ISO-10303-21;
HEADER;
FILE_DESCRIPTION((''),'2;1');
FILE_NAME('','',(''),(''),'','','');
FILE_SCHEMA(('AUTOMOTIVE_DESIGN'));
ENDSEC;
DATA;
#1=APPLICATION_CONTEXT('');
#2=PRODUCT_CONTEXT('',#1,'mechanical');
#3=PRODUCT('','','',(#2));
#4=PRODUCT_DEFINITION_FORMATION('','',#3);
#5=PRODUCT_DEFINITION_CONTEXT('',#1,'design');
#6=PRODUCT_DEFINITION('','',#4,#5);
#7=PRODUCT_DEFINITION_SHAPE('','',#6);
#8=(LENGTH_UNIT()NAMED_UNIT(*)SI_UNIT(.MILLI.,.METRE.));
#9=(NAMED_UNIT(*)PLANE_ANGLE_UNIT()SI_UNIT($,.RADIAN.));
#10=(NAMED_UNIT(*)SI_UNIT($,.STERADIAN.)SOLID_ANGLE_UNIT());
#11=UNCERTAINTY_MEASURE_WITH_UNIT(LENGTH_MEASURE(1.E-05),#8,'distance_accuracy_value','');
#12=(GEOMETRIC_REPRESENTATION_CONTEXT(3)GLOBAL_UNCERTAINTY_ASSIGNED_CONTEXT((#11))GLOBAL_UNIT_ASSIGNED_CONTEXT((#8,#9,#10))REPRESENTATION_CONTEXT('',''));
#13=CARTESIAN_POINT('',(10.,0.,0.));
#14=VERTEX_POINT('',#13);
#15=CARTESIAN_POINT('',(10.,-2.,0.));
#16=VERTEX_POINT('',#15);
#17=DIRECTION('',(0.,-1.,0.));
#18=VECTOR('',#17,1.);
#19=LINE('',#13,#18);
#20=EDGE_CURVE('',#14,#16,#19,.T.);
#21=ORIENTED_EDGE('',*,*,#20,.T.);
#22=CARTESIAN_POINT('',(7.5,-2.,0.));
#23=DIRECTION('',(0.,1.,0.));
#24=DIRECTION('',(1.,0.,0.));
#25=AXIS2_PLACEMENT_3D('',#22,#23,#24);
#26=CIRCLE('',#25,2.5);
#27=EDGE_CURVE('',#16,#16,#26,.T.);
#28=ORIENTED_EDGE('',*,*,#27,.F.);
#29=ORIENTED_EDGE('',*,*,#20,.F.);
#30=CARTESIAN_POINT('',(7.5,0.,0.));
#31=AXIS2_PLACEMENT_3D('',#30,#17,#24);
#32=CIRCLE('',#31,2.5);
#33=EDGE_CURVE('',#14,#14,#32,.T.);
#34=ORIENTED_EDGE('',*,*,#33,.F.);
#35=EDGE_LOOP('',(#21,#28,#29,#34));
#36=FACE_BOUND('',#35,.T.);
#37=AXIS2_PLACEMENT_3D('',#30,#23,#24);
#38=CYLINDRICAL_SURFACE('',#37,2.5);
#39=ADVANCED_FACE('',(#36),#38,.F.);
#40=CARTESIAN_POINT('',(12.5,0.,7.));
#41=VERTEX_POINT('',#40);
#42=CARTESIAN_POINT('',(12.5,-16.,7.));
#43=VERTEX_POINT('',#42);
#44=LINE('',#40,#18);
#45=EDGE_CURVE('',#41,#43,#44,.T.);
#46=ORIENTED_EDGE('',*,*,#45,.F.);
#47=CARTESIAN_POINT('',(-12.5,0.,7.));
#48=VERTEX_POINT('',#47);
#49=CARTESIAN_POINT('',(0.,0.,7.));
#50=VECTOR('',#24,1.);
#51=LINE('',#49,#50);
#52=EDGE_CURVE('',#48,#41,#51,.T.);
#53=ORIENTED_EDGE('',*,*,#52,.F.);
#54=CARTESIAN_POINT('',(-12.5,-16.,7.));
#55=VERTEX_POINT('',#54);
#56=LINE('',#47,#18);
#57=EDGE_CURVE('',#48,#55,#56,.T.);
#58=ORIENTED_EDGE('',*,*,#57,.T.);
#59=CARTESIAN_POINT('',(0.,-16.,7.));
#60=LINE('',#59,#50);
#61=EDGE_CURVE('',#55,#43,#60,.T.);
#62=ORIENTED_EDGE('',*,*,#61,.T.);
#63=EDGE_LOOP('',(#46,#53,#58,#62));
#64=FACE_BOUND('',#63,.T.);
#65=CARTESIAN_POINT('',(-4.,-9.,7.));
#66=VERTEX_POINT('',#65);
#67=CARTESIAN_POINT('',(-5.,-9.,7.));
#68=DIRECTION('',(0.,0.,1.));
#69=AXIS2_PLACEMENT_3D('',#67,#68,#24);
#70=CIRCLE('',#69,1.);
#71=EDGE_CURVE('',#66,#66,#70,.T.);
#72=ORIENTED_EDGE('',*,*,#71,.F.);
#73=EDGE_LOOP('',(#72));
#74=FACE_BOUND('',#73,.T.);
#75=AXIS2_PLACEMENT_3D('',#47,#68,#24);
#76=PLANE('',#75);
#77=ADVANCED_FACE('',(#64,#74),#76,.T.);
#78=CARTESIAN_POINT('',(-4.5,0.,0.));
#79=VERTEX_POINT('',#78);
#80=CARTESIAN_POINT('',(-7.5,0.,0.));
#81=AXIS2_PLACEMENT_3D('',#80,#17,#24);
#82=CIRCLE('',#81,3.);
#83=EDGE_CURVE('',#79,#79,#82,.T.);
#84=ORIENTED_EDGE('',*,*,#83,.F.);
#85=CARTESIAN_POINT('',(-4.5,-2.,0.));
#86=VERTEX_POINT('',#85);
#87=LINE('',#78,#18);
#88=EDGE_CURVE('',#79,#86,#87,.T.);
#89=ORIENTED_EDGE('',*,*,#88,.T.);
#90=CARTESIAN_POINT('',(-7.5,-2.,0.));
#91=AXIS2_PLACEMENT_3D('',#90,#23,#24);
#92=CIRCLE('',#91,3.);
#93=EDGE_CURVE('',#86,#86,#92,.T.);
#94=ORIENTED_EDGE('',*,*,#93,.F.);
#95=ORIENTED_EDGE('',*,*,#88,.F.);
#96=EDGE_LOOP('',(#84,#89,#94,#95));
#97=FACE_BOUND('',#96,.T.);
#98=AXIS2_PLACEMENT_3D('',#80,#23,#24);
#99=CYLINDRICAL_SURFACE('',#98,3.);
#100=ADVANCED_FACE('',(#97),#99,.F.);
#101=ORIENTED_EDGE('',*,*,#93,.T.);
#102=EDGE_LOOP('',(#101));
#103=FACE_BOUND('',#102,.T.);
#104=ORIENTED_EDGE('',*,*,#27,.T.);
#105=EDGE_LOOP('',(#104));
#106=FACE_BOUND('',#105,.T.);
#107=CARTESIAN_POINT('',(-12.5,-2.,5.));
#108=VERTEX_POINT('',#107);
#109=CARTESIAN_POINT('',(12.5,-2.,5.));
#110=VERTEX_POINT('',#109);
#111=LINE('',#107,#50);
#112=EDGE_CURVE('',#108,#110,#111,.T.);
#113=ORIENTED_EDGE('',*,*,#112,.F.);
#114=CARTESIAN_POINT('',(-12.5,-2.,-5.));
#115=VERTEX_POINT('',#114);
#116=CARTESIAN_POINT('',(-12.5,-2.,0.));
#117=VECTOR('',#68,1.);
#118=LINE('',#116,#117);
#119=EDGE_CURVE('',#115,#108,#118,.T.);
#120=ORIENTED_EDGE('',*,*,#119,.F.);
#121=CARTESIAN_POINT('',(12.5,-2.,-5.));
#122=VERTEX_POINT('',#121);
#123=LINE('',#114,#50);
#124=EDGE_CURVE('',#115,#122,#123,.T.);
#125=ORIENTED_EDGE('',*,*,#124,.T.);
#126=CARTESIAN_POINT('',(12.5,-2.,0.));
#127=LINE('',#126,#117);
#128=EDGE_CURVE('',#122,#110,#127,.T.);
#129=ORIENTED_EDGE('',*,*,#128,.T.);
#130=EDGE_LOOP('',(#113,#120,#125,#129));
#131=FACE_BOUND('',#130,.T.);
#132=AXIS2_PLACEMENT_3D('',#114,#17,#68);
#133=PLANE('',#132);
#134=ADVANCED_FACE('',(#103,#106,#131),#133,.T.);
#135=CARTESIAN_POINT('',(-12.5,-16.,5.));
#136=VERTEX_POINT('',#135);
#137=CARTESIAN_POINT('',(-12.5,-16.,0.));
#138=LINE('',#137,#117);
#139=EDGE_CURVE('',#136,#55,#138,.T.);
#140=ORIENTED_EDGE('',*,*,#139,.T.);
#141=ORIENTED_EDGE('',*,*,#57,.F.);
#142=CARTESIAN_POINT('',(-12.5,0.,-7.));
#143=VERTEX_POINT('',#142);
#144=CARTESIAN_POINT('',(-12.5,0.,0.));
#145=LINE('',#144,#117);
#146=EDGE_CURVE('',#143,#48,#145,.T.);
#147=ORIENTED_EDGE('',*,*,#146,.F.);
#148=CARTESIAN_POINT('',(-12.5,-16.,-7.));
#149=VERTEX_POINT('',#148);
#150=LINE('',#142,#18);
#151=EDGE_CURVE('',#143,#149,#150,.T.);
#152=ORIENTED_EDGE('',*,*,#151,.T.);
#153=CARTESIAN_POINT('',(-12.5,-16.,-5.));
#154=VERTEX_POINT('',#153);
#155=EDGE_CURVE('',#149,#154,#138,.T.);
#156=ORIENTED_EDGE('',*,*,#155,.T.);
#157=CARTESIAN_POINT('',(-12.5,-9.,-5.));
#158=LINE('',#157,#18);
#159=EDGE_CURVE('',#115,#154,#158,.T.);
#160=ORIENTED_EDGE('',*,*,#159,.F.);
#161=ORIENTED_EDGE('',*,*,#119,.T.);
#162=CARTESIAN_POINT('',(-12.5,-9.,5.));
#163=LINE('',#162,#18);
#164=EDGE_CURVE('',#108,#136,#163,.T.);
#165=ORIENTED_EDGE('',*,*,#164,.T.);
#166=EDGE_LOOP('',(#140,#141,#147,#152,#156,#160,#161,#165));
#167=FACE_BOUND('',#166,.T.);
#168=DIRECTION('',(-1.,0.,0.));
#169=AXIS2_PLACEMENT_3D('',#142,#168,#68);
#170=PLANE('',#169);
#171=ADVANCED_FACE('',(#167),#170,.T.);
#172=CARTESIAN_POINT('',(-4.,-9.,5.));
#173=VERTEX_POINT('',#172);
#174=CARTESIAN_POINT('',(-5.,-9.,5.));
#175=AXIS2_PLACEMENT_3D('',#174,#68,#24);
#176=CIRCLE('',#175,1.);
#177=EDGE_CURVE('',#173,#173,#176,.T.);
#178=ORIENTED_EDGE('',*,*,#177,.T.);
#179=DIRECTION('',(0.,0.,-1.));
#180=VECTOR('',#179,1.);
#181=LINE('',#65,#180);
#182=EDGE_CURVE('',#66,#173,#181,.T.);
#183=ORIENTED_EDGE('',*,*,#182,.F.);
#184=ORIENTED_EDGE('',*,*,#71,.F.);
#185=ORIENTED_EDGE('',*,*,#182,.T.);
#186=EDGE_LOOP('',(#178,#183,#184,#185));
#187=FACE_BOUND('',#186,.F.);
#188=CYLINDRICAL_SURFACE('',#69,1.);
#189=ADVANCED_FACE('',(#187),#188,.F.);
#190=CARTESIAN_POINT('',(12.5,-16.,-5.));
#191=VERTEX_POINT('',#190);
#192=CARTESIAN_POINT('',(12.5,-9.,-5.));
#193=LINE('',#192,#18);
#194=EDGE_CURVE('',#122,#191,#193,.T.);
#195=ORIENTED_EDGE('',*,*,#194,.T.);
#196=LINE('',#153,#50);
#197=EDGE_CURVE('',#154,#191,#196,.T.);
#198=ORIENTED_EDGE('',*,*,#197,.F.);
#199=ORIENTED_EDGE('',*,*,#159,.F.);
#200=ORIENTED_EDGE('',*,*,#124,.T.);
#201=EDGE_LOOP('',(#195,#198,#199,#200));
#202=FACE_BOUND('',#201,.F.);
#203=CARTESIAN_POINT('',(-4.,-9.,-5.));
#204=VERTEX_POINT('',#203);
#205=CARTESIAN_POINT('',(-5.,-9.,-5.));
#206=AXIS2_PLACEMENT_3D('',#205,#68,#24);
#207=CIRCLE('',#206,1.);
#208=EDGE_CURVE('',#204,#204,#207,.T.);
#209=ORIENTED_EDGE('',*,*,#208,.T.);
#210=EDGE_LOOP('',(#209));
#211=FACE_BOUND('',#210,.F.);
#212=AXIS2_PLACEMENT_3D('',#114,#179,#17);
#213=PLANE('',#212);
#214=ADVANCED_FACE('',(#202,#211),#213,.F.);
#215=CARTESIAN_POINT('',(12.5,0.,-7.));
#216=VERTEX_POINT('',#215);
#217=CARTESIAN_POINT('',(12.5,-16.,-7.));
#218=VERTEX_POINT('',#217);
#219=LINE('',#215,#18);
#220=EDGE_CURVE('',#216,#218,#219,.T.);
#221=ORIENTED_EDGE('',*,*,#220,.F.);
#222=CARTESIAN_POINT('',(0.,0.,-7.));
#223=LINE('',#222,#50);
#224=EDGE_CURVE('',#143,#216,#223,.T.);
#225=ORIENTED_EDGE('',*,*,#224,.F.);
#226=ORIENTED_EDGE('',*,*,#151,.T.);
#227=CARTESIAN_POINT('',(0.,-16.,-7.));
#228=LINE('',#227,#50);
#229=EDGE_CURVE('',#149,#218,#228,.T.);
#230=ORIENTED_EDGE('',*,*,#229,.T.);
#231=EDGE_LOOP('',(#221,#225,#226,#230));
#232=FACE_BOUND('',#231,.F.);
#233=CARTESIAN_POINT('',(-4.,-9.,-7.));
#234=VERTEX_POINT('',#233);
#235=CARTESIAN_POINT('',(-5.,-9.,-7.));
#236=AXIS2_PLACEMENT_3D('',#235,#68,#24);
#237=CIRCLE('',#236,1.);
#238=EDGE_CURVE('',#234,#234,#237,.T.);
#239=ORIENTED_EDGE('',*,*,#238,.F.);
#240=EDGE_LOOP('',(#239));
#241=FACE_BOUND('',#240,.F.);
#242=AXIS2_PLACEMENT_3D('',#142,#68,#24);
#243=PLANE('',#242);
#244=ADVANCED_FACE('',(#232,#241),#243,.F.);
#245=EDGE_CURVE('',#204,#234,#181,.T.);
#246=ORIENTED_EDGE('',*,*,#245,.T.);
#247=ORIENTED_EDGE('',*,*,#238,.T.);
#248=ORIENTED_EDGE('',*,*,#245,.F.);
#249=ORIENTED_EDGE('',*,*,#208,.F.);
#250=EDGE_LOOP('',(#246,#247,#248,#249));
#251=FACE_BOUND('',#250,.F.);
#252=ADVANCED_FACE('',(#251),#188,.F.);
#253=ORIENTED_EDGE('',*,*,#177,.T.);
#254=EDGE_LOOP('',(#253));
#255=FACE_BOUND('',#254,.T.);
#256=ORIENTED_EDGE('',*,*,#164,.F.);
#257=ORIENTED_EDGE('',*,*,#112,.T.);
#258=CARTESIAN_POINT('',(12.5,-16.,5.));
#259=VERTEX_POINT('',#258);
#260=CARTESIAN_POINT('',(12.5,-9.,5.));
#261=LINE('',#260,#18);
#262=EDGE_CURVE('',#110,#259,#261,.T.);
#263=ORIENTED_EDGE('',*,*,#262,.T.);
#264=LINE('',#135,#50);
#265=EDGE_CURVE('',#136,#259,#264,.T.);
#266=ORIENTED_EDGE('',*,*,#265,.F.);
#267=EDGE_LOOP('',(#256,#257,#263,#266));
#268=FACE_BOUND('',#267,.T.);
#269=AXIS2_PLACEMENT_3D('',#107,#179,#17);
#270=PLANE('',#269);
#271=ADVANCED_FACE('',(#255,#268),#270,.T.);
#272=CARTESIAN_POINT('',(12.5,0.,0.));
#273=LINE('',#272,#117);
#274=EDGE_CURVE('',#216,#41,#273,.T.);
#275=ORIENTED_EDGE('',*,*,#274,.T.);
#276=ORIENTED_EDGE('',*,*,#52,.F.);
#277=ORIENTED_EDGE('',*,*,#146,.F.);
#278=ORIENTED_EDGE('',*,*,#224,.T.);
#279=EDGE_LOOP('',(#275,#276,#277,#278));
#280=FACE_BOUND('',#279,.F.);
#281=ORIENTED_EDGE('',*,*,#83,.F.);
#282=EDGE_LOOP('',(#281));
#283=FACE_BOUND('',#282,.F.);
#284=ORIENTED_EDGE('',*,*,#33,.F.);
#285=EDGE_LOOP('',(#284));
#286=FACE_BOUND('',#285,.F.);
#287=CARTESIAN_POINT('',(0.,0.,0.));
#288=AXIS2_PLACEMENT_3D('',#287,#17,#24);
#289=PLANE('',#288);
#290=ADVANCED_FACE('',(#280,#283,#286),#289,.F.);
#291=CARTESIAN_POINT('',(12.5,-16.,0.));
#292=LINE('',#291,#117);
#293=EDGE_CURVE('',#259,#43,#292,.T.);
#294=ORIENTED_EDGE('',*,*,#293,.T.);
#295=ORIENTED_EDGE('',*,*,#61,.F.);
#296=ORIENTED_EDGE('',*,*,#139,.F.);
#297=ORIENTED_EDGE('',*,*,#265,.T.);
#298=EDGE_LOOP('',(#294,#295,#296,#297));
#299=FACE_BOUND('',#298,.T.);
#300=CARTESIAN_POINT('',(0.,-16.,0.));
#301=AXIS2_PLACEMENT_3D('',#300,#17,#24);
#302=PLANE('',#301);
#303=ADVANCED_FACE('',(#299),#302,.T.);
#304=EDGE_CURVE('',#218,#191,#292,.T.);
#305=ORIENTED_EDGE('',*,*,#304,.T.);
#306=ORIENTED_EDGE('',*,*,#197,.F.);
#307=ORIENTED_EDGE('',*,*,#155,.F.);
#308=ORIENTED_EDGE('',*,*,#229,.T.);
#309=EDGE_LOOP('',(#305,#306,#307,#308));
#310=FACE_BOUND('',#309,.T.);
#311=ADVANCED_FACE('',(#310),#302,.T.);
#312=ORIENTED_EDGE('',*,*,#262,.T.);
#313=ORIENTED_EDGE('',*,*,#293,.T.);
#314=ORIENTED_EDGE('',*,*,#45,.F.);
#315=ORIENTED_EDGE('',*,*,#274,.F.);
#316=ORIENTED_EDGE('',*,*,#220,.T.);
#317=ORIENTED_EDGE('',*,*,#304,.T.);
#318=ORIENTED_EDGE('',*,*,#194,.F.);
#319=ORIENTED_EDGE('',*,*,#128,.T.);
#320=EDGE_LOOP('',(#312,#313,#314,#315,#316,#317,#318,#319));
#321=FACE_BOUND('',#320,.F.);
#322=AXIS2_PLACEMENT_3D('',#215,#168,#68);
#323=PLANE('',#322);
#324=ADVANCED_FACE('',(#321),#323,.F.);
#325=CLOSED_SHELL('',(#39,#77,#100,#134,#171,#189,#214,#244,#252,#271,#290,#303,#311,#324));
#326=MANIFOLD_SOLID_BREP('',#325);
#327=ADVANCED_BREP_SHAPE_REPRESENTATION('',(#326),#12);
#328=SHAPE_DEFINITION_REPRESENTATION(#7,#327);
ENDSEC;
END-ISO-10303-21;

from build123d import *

# Parameters (mm, degrees)
F0_W     = 25
F0_H     = 14
F0_R     = 3
F0_R_2   = 2.5
F1_DEPTH = 16
F2_R     = 1
F3_DEPTH = 25
F4_W     = 14
F4_H     = 10
F5_DEPTH = 25


with BuildPart() as f1:
    # F0 (on Front) → F1 (new body)
    with BuildSketch(Plane.XZ):
        Rectangle(F0_W, F0_H)
        with Locations((-7.5, 0)):
            Circle(F0_R, mode=Mode.SUBTRACT)
        with Locations((7.5, 0)):
            Circle(F0_R_2, mode=Mode.SUBTRACT)
    extrude(amount=F1_DEPTH)

    # F2 (on face) → F3 (cut)
    with BuildSketch(Plane.XY.offset(7)):
        with Locations((-5, -9)):
            Circle(F2_R)
    extrude(amount=-F3_DEPTH, mode=Mode.SUBTRACT)

    # F4 (on face) → F5 (cut)
    with BuildSketch(Plane(origin=(-12.5, 0, 0), x_dir=(0, -1, 0), z_dir=(-1, 0, 0))):
        with Locations((9, 0)):
            Rectangle(F4_W, F4_H)
    extrude(amount=-F5_DEPTH, mode=Mode.SUBTRACT)


solid = f1.part
